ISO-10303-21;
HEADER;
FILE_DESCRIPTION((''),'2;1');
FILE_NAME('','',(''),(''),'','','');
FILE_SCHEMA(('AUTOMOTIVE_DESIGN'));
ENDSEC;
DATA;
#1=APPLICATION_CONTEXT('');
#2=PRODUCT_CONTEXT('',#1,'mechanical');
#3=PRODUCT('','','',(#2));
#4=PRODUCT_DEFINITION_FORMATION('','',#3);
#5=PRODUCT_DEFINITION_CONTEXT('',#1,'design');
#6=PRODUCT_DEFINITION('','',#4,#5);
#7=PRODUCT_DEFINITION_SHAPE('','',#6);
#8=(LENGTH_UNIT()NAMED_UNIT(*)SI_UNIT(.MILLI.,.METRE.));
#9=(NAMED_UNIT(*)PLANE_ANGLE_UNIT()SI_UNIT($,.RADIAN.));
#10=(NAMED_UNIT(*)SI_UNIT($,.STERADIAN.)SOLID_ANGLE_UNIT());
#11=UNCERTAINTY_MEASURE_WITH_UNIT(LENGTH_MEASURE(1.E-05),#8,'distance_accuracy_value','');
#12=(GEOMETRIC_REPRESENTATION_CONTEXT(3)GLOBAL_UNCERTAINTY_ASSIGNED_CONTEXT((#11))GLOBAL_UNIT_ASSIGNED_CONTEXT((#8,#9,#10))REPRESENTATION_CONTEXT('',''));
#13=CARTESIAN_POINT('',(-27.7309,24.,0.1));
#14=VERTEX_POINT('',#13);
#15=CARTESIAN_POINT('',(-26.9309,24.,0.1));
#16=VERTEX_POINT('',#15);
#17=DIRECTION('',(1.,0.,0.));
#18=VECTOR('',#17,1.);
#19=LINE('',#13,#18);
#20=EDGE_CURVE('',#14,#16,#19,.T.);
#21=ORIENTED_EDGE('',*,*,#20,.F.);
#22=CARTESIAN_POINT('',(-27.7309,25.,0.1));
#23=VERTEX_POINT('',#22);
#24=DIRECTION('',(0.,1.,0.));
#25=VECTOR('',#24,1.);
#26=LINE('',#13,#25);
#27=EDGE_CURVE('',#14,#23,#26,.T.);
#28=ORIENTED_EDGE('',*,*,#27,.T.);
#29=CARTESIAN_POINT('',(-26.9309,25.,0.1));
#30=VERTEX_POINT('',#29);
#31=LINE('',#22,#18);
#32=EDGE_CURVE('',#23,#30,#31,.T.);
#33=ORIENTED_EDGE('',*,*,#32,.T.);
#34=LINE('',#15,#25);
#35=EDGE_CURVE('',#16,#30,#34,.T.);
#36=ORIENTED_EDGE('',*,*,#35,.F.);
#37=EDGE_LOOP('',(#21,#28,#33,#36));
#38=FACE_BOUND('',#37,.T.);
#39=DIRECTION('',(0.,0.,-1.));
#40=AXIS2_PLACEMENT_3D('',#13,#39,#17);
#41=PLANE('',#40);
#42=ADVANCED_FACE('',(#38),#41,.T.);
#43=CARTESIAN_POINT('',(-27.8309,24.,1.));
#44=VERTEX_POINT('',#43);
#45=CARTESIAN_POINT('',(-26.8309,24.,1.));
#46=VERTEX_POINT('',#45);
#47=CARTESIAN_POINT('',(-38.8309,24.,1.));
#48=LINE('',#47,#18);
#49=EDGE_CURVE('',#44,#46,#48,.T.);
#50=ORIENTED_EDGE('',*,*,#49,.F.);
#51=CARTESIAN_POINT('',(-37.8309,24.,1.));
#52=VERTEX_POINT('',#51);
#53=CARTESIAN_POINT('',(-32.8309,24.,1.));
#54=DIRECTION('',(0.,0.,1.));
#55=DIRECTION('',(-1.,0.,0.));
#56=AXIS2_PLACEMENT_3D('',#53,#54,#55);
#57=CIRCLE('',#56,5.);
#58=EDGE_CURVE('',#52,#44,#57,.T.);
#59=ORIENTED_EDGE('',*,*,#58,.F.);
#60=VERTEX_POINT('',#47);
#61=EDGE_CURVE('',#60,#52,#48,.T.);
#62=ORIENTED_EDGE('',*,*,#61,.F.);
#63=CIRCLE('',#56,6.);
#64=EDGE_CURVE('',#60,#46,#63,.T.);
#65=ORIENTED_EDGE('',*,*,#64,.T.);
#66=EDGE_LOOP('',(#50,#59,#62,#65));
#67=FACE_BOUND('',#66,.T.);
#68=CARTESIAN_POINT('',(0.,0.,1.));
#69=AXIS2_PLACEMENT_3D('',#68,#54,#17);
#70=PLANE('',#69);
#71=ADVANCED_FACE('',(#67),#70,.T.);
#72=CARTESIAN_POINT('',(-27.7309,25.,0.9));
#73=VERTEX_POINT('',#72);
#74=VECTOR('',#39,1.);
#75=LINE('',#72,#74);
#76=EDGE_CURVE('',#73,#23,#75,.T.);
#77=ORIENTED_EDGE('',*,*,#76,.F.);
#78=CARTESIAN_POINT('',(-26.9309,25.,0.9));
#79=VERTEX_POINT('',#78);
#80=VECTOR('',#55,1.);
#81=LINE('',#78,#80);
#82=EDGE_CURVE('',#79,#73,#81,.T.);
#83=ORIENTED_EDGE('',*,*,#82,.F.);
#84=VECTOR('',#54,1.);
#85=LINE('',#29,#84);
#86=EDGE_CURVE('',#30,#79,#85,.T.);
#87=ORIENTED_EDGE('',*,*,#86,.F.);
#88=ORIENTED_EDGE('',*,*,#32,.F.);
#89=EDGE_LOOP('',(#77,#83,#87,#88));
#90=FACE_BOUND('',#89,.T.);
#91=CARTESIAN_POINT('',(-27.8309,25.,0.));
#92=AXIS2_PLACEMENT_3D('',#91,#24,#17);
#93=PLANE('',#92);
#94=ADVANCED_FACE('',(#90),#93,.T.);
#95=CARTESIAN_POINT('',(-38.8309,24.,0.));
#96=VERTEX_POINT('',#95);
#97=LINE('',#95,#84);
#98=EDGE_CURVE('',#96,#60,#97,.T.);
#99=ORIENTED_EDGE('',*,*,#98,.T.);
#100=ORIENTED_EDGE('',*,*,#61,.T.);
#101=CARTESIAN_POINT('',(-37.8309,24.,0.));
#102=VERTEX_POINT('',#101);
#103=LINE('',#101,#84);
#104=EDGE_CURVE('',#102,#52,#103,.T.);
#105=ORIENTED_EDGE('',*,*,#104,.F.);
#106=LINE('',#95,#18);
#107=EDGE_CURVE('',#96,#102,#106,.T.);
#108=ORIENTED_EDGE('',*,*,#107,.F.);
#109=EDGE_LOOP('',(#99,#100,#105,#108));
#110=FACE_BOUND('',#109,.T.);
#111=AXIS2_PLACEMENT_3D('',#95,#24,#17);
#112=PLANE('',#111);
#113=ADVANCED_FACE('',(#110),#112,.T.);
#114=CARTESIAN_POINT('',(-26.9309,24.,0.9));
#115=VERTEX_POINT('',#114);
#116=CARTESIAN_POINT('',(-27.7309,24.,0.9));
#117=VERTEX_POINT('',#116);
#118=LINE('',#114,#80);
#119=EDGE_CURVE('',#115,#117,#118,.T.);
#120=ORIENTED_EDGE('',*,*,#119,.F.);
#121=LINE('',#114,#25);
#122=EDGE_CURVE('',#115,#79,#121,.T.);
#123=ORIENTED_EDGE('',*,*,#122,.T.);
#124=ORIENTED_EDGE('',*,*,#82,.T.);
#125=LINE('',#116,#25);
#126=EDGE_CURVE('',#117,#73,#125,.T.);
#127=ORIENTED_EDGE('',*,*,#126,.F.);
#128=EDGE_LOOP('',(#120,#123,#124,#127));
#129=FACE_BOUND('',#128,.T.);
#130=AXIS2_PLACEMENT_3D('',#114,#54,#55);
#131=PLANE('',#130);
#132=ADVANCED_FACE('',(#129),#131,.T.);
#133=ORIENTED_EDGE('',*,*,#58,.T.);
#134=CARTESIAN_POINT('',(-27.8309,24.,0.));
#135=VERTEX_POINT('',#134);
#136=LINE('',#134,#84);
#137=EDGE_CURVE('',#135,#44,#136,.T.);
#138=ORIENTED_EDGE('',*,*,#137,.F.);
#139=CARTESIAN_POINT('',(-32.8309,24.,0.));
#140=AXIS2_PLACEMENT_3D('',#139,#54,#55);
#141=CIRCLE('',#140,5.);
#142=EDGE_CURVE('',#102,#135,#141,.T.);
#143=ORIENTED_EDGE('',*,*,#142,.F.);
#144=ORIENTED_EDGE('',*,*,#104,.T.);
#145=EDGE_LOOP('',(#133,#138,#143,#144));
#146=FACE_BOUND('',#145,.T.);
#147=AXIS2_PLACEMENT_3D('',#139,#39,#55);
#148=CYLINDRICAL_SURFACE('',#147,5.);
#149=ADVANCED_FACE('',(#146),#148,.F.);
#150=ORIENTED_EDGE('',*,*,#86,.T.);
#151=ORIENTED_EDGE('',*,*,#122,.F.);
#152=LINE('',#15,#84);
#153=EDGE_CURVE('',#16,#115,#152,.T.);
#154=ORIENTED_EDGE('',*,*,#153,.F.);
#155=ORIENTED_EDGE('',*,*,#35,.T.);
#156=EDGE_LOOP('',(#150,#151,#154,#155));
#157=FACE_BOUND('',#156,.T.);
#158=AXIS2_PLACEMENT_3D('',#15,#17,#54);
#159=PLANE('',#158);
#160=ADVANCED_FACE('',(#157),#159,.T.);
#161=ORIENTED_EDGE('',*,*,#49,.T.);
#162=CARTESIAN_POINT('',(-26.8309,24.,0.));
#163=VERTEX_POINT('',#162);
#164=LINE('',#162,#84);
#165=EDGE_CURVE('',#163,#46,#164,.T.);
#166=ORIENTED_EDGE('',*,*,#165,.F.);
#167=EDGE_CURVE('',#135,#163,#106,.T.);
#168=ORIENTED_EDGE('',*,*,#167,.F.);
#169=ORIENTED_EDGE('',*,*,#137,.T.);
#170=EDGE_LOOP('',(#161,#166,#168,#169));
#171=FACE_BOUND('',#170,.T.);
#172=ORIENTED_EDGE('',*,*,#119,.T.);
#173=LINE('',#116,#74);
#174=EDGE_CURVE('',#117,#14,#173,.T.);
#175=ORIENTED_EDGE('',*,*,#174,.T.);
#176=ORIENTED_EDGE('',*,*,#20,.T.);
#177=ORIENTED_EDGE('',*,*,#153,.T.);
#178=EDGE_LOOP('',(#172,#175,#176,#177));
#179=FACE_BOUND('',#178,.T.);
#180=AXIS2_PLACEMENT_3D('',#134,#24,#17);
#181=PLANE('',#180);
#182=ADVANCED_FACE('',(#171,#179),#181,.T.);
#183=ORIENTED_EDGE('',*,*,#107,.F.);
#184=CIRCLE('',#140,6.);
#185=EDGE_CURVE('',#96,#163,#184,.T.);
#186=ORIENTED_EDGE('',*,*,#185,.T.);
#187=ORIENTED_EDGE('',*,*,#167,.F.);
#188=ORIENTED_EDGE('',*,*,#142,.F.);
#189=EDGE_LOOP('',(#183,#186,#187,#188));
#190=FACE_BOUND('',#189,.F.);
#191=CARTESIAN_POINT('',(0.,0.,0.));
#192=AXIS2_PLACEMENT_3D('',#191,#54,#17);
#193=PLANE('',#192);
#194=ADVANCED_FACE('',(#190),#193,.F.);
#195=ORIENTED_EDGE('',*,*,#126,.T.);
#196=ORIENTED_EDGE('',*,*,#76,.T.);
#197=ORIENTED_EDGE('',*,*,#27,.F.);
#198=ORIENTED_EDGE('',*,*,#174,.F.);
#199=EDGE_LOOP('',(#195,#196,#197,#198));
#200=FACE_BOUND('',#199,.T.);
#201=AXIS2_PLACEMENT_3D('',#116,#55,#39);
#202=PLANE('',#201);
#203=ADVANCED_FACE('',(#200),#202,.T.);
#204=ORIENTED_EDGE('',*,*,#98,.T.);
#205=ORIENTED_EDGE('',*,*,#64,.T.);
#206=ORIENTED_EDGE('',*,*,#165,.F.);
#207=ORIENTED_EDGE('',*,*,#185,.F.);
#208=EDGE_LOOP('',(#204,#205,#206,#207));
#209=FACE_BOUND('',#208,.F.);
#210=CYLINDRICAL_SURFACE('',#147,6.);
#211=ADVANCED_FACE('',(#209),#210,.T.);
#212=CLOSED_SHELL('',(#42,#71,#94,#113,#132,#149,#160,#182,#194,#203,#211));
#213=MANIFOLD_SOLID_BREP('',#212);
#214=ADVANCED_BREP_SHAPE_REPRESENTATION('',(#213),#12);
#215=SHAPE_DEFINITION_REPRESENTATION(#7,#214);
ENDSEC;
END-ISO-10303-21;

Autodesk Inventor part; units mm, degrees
ref_plane "YZ Plane" through (0, 0, 0) normal (1, 0, 0) x (0, 1, 0)
ref_plane "XZ Plane" through (0, 0, 0) normal (0, 1, 0) x (-1, 0, 0)
sketch "Sketch1" plane through (0, 0, 0) normal (0, 0, 1) x (1, 0, 0)
  arc A0 (-38.8309, 24) -> (-26.8309, 24) centre (-32.8309, 24) ccw
  arc A1 (-37.8309, 24) -> (-27.8309, 24) centre (-32.8309, 24) ccw
  line L0 (-38.8309, 24) -> (-26.8309, 24)
  point P0 (0, 0)
  dimension "d0" = 1
  dimension "d1" = 5
ref_plane "Work Plane1" through (-32.8309, 24, 0) normal (0, 1, 0) x (-1, 0, 0)
sketch "Sketch2" plane through (-32.8309, 24, 0) normal (0, 1, 0) x (-1, 0, 0)
  point P0 (-32.8309, 0)
extrude "Extrusion1" add sketch "Sketch1" along normal blind 1 contours L0 A1 A0
sketch "Sketch3" plane through (-27.8309, 24, 0) normal (0, 1, 0) x (1, 0, 0)
  line L0 (1, 0) -> (0, 0) projected
  line L1 (0, 0) -> (0, -1) projected
  line L2 (1, -1) -> (0, -1) projected
  line L3 (1, 0) -> (1, -1) projected
  line L4 (0.1, -0.1) -> (0.9, -0.1)
  line L5 (0.9, -0.1) -> (0.9, -0.9)
  line L6 (0.9, -0.9) -> (0.1, -0.9)
  line L7 (0.1, -0.9) -> (0.1, -0.1)
  point P0 (27.8309, 0)
  dimension "d4" = 0.8
extrude "Extrusion2" add sketch "Sketch3" along normal blind 1 contours L4 L5 L6 L7
properties part number "McCrea_kabel_walle"
